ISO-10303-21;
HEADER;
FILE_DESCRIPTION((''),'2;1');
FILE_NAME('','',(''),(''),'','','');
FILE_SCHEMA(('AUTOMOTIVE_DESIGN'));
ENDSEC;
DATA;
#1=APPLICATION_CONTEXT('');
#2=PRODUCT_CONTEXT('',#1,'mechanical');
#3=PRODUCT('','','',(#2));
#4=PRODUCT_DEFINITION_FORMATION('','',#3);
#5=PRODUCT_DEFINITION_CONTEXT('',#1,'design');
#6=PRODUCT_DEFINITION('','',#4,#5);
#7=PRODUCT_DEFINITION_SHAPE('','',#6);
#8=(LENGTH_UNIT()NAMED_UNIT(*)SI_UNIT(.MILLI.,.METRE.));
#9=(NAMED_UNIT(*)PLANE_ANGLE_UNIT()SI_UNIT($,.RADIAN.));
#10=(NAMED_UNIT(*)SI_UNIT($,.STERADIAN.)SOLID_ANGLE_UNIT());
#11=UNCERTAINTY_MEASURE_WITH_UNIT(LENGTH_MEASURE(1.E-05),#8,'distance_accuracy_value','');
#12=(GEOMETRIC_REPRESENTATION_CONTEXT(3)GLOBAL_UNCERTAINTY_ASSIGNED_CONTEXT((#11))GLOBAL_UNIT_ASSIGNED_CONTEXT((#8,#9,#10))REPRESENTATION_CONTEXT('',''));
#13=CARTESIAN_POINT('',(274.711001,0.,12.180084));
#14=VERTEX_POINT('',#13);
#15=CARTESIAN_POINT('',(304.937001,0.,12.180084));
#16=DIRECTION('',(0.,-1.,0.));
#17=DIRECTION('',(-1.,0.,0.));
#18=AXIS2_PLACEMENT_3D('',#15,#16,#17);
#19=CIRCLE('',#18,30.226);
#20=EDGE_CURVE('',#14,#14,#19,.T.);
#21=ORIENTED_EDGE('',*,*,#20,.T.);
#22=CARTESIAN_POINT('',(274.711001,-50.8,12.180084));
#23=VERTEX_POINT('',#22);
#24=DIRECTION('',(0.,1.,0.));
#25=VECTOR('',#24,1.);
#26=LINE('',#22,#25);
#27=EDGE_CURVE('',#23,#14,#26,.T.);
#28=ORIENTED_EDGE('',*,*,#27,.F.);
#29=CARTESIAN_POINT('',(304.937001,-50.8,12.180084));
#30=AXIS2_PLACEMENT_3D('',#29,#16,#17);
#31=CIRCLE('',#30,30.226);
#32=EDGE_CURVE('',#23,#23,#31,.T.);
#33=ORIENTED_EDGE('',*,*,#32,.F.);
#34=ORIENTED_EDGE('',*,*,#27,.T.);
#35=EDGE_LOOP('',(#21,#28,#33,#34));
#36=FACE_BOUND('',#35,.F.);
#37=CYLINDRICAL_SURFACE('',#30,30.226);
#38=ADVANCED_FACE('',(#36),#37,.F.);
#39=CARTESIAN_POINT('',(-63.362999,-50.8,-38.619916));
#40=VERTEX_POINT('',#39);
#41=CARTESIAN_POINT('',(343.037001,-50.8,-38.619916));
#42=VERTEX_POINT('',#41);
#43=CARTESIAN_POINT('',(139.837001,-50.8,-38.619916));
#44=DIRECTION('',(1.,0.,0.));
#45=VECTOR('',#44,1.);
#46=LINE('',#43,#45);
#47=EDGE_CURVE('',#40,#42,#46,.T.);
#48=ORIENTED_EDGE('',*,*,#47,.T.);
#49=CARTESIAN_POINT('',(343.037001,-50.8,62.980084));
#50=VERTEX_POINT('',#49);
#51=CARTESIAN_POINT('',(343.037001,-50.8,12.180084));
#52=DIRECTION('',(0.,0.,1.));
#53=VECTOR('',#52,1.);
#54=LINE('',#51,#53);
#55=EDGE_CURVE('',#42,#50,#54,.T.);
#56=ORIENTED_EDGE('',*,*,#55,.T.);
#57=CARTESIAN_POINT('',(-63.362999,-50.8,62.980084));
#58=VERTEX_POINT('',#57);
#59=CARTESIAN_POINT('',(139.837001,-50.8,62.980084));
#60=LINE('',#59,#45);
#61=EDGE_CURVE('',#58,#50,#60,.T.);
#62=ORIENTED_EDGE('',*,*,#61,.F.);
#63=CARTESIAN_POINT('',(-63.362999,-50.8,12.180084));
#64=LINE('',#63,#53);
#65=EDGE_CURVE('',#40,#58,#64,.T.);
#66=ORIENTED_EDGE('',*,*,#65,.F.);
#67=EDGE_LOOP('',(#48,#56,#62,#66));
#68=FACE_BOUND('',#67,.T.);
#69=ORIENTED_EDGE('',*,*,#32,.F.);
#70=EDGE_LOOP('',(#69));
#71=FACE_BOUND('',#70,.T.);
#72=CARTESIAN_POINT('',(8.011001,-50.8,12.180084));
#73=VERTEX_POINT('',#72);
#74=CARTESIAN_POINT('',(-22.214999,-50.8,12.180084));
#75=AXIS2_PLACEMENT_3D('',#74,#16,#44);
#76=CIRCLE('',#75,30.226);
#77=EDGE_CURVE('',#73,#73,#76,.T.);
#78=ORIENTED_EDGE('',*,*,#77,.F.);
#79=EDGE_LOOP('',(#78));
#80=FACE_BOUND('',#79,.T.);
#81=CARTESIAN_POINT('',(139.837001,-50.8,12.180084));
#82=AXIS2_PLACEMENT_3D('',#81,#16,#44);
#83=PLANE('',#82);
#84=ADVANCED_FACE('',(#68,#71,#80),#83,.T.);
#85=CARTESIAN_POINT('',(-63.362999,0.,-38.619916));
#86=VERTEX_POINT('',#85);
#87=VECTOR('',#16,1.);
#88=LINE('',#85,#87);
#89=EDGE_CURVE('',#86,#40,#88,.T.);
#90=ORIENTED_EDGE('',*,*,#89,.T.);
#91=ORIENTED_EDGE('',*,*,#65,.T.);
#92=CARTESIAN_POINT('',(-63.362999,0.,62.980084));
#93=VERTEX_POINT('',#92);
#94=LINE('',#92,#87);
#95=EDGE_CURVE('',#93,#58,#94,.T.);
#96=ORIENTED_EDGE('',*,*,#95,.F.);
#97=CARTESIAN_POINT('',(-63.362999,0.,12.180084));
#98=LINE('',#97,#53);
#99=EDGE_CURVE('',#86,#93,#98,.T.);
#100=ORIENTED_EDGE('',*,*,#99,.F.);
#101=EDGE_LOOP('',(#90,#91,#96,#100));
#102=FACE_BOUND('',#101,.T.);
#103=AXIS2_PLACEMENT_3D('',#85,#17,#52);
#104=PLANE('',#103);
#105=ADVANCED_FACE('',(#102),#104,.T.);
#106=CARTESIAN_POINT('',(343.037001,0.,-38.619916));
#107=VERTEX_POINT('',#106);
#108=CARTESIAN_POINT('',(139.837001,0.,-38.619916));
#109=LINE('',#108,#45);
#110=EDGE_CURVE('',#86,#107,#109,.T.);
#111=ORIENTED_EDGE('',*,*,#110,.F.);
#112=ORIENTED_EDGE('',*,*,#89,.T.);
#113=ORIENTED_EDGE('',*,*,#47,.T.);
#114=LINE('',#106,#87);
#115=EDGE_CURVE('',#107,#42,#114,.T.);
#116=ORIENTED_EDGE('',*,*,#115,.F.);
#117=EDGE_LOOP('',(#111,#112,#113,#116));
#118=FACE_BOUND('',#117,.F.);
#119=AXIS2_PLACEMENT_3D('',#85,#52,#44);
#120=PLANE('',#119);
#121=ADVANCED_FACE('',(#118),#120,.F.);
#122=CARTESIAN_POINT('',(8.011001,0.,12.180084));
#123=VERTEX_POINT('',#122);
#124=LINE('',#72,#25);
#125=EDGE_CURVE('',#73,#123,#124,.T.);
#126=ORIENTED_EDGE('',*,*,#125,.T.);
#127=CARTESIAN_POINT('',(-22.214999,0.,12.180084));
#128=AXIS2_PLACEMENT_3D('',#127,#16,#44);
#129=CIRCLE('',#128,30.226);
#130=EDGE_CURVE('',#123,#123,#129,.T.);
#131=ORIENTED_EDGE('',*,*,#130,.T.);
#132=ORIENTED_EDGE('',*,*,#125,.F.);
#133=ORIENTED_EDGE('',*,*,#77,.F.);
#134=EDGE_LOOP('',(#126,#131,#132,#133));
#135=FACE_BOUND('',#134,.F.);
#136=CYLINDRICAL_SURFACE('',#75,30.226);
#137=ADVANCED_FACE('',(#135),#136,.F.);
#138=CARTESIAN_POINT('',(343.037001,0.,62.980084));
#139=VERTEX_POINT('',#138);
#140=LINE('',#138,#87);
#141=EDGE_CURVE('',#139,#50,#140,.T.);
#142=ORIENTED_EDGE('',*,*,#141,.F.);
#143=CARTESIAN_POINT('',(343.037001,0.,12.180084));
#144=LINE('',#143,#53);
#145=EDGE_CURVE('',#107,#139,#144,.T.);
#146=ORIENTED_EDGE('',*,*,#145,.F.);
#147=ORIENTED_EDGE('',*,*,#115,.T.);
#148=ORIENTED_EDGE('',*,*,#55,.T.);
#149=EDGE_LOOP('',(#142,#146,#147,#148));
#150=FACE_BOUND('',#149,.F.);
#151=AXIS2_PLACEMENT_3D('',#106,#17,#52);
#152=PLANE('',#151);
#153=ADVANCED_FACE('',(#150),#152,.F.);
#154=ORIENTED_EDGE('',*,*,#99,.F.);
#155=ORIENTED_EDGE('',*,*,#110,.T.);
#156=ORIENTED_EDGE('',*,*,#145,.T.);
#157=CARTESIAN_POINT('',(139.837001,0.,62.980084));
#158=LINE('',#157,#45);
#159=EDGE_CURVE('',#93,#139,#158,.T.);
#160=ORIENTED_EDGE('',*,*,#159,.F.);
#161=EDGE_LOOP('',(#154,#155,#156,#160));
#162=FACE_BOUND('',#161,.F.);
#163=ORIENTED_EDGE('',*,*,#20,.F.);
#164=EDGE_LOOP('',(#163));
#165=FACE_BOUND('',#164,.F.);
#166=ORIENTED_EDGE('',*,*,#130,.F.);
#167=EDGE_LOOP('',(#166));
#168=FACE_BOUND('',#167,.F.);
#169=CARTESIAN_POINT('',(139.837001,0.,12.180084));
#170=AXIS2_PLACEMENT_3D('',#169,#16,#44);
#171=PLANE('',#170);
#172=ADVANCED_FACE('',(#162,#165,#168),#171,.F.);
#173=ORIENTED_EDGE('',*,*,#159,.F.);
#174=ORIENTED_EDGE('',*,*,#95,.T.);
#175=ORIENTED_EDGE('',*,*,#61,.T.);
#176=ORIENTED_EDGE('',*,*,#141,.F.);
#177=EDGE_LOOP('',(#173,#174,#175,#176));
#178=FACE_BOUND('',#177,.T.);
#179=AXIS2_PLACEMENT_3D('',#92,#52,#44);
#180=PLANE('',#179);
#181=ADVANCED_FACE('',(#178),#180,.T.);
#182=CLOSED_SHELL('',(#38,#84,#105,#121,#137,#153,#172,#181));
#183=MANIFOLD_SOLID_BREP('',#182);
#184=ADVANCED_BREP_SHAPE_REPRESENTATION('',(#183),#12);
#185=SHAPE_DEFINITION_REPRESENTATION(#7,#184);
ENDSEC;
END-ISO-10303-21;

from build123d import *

# Parameters (mm, degrees)
F0_W     = 406.4
F0_H     = 101.6
F1_DEPTH = 50.8
F3_DEPTH = 50.801


with BuildPart() as f1:
    # F0 (on Front) → F1 (new body)
    with BuildSketch(Plane.XZ):
        with Locations((139.837001, 12.180084)):
            Rectangle(F0_W, F0_H)
    extrude(amount=F1_DEPTH)

    # F2 (on face) → F3 (cut, through all)
    with BuildSketch(Plane.XZ.offset(50.8)):
        with BuildLine():
            ThreePointArc((-52.440999, 12.180084), (-22.214999, -18.045916), (8.011001, 12.180084))
            ThreePointArc((8.011001, 12.180084), (-22.214999, 42.406084), (-52.440999, 12.180084))
        make_face()
        with BuildLine():
            ThreePointArc((335.163001, 12.180084), (304.937001, 42.406084), (274.711001, 12.180084))
            ThreePointArc((274.711001, 12.180084), (304.937001, -18.045916), (335.163001, 12.180084))
        make_face()
    extrude(amount=-F3_DEPTH, mode=Mode.SUBTRACT)


solid = f1.part
